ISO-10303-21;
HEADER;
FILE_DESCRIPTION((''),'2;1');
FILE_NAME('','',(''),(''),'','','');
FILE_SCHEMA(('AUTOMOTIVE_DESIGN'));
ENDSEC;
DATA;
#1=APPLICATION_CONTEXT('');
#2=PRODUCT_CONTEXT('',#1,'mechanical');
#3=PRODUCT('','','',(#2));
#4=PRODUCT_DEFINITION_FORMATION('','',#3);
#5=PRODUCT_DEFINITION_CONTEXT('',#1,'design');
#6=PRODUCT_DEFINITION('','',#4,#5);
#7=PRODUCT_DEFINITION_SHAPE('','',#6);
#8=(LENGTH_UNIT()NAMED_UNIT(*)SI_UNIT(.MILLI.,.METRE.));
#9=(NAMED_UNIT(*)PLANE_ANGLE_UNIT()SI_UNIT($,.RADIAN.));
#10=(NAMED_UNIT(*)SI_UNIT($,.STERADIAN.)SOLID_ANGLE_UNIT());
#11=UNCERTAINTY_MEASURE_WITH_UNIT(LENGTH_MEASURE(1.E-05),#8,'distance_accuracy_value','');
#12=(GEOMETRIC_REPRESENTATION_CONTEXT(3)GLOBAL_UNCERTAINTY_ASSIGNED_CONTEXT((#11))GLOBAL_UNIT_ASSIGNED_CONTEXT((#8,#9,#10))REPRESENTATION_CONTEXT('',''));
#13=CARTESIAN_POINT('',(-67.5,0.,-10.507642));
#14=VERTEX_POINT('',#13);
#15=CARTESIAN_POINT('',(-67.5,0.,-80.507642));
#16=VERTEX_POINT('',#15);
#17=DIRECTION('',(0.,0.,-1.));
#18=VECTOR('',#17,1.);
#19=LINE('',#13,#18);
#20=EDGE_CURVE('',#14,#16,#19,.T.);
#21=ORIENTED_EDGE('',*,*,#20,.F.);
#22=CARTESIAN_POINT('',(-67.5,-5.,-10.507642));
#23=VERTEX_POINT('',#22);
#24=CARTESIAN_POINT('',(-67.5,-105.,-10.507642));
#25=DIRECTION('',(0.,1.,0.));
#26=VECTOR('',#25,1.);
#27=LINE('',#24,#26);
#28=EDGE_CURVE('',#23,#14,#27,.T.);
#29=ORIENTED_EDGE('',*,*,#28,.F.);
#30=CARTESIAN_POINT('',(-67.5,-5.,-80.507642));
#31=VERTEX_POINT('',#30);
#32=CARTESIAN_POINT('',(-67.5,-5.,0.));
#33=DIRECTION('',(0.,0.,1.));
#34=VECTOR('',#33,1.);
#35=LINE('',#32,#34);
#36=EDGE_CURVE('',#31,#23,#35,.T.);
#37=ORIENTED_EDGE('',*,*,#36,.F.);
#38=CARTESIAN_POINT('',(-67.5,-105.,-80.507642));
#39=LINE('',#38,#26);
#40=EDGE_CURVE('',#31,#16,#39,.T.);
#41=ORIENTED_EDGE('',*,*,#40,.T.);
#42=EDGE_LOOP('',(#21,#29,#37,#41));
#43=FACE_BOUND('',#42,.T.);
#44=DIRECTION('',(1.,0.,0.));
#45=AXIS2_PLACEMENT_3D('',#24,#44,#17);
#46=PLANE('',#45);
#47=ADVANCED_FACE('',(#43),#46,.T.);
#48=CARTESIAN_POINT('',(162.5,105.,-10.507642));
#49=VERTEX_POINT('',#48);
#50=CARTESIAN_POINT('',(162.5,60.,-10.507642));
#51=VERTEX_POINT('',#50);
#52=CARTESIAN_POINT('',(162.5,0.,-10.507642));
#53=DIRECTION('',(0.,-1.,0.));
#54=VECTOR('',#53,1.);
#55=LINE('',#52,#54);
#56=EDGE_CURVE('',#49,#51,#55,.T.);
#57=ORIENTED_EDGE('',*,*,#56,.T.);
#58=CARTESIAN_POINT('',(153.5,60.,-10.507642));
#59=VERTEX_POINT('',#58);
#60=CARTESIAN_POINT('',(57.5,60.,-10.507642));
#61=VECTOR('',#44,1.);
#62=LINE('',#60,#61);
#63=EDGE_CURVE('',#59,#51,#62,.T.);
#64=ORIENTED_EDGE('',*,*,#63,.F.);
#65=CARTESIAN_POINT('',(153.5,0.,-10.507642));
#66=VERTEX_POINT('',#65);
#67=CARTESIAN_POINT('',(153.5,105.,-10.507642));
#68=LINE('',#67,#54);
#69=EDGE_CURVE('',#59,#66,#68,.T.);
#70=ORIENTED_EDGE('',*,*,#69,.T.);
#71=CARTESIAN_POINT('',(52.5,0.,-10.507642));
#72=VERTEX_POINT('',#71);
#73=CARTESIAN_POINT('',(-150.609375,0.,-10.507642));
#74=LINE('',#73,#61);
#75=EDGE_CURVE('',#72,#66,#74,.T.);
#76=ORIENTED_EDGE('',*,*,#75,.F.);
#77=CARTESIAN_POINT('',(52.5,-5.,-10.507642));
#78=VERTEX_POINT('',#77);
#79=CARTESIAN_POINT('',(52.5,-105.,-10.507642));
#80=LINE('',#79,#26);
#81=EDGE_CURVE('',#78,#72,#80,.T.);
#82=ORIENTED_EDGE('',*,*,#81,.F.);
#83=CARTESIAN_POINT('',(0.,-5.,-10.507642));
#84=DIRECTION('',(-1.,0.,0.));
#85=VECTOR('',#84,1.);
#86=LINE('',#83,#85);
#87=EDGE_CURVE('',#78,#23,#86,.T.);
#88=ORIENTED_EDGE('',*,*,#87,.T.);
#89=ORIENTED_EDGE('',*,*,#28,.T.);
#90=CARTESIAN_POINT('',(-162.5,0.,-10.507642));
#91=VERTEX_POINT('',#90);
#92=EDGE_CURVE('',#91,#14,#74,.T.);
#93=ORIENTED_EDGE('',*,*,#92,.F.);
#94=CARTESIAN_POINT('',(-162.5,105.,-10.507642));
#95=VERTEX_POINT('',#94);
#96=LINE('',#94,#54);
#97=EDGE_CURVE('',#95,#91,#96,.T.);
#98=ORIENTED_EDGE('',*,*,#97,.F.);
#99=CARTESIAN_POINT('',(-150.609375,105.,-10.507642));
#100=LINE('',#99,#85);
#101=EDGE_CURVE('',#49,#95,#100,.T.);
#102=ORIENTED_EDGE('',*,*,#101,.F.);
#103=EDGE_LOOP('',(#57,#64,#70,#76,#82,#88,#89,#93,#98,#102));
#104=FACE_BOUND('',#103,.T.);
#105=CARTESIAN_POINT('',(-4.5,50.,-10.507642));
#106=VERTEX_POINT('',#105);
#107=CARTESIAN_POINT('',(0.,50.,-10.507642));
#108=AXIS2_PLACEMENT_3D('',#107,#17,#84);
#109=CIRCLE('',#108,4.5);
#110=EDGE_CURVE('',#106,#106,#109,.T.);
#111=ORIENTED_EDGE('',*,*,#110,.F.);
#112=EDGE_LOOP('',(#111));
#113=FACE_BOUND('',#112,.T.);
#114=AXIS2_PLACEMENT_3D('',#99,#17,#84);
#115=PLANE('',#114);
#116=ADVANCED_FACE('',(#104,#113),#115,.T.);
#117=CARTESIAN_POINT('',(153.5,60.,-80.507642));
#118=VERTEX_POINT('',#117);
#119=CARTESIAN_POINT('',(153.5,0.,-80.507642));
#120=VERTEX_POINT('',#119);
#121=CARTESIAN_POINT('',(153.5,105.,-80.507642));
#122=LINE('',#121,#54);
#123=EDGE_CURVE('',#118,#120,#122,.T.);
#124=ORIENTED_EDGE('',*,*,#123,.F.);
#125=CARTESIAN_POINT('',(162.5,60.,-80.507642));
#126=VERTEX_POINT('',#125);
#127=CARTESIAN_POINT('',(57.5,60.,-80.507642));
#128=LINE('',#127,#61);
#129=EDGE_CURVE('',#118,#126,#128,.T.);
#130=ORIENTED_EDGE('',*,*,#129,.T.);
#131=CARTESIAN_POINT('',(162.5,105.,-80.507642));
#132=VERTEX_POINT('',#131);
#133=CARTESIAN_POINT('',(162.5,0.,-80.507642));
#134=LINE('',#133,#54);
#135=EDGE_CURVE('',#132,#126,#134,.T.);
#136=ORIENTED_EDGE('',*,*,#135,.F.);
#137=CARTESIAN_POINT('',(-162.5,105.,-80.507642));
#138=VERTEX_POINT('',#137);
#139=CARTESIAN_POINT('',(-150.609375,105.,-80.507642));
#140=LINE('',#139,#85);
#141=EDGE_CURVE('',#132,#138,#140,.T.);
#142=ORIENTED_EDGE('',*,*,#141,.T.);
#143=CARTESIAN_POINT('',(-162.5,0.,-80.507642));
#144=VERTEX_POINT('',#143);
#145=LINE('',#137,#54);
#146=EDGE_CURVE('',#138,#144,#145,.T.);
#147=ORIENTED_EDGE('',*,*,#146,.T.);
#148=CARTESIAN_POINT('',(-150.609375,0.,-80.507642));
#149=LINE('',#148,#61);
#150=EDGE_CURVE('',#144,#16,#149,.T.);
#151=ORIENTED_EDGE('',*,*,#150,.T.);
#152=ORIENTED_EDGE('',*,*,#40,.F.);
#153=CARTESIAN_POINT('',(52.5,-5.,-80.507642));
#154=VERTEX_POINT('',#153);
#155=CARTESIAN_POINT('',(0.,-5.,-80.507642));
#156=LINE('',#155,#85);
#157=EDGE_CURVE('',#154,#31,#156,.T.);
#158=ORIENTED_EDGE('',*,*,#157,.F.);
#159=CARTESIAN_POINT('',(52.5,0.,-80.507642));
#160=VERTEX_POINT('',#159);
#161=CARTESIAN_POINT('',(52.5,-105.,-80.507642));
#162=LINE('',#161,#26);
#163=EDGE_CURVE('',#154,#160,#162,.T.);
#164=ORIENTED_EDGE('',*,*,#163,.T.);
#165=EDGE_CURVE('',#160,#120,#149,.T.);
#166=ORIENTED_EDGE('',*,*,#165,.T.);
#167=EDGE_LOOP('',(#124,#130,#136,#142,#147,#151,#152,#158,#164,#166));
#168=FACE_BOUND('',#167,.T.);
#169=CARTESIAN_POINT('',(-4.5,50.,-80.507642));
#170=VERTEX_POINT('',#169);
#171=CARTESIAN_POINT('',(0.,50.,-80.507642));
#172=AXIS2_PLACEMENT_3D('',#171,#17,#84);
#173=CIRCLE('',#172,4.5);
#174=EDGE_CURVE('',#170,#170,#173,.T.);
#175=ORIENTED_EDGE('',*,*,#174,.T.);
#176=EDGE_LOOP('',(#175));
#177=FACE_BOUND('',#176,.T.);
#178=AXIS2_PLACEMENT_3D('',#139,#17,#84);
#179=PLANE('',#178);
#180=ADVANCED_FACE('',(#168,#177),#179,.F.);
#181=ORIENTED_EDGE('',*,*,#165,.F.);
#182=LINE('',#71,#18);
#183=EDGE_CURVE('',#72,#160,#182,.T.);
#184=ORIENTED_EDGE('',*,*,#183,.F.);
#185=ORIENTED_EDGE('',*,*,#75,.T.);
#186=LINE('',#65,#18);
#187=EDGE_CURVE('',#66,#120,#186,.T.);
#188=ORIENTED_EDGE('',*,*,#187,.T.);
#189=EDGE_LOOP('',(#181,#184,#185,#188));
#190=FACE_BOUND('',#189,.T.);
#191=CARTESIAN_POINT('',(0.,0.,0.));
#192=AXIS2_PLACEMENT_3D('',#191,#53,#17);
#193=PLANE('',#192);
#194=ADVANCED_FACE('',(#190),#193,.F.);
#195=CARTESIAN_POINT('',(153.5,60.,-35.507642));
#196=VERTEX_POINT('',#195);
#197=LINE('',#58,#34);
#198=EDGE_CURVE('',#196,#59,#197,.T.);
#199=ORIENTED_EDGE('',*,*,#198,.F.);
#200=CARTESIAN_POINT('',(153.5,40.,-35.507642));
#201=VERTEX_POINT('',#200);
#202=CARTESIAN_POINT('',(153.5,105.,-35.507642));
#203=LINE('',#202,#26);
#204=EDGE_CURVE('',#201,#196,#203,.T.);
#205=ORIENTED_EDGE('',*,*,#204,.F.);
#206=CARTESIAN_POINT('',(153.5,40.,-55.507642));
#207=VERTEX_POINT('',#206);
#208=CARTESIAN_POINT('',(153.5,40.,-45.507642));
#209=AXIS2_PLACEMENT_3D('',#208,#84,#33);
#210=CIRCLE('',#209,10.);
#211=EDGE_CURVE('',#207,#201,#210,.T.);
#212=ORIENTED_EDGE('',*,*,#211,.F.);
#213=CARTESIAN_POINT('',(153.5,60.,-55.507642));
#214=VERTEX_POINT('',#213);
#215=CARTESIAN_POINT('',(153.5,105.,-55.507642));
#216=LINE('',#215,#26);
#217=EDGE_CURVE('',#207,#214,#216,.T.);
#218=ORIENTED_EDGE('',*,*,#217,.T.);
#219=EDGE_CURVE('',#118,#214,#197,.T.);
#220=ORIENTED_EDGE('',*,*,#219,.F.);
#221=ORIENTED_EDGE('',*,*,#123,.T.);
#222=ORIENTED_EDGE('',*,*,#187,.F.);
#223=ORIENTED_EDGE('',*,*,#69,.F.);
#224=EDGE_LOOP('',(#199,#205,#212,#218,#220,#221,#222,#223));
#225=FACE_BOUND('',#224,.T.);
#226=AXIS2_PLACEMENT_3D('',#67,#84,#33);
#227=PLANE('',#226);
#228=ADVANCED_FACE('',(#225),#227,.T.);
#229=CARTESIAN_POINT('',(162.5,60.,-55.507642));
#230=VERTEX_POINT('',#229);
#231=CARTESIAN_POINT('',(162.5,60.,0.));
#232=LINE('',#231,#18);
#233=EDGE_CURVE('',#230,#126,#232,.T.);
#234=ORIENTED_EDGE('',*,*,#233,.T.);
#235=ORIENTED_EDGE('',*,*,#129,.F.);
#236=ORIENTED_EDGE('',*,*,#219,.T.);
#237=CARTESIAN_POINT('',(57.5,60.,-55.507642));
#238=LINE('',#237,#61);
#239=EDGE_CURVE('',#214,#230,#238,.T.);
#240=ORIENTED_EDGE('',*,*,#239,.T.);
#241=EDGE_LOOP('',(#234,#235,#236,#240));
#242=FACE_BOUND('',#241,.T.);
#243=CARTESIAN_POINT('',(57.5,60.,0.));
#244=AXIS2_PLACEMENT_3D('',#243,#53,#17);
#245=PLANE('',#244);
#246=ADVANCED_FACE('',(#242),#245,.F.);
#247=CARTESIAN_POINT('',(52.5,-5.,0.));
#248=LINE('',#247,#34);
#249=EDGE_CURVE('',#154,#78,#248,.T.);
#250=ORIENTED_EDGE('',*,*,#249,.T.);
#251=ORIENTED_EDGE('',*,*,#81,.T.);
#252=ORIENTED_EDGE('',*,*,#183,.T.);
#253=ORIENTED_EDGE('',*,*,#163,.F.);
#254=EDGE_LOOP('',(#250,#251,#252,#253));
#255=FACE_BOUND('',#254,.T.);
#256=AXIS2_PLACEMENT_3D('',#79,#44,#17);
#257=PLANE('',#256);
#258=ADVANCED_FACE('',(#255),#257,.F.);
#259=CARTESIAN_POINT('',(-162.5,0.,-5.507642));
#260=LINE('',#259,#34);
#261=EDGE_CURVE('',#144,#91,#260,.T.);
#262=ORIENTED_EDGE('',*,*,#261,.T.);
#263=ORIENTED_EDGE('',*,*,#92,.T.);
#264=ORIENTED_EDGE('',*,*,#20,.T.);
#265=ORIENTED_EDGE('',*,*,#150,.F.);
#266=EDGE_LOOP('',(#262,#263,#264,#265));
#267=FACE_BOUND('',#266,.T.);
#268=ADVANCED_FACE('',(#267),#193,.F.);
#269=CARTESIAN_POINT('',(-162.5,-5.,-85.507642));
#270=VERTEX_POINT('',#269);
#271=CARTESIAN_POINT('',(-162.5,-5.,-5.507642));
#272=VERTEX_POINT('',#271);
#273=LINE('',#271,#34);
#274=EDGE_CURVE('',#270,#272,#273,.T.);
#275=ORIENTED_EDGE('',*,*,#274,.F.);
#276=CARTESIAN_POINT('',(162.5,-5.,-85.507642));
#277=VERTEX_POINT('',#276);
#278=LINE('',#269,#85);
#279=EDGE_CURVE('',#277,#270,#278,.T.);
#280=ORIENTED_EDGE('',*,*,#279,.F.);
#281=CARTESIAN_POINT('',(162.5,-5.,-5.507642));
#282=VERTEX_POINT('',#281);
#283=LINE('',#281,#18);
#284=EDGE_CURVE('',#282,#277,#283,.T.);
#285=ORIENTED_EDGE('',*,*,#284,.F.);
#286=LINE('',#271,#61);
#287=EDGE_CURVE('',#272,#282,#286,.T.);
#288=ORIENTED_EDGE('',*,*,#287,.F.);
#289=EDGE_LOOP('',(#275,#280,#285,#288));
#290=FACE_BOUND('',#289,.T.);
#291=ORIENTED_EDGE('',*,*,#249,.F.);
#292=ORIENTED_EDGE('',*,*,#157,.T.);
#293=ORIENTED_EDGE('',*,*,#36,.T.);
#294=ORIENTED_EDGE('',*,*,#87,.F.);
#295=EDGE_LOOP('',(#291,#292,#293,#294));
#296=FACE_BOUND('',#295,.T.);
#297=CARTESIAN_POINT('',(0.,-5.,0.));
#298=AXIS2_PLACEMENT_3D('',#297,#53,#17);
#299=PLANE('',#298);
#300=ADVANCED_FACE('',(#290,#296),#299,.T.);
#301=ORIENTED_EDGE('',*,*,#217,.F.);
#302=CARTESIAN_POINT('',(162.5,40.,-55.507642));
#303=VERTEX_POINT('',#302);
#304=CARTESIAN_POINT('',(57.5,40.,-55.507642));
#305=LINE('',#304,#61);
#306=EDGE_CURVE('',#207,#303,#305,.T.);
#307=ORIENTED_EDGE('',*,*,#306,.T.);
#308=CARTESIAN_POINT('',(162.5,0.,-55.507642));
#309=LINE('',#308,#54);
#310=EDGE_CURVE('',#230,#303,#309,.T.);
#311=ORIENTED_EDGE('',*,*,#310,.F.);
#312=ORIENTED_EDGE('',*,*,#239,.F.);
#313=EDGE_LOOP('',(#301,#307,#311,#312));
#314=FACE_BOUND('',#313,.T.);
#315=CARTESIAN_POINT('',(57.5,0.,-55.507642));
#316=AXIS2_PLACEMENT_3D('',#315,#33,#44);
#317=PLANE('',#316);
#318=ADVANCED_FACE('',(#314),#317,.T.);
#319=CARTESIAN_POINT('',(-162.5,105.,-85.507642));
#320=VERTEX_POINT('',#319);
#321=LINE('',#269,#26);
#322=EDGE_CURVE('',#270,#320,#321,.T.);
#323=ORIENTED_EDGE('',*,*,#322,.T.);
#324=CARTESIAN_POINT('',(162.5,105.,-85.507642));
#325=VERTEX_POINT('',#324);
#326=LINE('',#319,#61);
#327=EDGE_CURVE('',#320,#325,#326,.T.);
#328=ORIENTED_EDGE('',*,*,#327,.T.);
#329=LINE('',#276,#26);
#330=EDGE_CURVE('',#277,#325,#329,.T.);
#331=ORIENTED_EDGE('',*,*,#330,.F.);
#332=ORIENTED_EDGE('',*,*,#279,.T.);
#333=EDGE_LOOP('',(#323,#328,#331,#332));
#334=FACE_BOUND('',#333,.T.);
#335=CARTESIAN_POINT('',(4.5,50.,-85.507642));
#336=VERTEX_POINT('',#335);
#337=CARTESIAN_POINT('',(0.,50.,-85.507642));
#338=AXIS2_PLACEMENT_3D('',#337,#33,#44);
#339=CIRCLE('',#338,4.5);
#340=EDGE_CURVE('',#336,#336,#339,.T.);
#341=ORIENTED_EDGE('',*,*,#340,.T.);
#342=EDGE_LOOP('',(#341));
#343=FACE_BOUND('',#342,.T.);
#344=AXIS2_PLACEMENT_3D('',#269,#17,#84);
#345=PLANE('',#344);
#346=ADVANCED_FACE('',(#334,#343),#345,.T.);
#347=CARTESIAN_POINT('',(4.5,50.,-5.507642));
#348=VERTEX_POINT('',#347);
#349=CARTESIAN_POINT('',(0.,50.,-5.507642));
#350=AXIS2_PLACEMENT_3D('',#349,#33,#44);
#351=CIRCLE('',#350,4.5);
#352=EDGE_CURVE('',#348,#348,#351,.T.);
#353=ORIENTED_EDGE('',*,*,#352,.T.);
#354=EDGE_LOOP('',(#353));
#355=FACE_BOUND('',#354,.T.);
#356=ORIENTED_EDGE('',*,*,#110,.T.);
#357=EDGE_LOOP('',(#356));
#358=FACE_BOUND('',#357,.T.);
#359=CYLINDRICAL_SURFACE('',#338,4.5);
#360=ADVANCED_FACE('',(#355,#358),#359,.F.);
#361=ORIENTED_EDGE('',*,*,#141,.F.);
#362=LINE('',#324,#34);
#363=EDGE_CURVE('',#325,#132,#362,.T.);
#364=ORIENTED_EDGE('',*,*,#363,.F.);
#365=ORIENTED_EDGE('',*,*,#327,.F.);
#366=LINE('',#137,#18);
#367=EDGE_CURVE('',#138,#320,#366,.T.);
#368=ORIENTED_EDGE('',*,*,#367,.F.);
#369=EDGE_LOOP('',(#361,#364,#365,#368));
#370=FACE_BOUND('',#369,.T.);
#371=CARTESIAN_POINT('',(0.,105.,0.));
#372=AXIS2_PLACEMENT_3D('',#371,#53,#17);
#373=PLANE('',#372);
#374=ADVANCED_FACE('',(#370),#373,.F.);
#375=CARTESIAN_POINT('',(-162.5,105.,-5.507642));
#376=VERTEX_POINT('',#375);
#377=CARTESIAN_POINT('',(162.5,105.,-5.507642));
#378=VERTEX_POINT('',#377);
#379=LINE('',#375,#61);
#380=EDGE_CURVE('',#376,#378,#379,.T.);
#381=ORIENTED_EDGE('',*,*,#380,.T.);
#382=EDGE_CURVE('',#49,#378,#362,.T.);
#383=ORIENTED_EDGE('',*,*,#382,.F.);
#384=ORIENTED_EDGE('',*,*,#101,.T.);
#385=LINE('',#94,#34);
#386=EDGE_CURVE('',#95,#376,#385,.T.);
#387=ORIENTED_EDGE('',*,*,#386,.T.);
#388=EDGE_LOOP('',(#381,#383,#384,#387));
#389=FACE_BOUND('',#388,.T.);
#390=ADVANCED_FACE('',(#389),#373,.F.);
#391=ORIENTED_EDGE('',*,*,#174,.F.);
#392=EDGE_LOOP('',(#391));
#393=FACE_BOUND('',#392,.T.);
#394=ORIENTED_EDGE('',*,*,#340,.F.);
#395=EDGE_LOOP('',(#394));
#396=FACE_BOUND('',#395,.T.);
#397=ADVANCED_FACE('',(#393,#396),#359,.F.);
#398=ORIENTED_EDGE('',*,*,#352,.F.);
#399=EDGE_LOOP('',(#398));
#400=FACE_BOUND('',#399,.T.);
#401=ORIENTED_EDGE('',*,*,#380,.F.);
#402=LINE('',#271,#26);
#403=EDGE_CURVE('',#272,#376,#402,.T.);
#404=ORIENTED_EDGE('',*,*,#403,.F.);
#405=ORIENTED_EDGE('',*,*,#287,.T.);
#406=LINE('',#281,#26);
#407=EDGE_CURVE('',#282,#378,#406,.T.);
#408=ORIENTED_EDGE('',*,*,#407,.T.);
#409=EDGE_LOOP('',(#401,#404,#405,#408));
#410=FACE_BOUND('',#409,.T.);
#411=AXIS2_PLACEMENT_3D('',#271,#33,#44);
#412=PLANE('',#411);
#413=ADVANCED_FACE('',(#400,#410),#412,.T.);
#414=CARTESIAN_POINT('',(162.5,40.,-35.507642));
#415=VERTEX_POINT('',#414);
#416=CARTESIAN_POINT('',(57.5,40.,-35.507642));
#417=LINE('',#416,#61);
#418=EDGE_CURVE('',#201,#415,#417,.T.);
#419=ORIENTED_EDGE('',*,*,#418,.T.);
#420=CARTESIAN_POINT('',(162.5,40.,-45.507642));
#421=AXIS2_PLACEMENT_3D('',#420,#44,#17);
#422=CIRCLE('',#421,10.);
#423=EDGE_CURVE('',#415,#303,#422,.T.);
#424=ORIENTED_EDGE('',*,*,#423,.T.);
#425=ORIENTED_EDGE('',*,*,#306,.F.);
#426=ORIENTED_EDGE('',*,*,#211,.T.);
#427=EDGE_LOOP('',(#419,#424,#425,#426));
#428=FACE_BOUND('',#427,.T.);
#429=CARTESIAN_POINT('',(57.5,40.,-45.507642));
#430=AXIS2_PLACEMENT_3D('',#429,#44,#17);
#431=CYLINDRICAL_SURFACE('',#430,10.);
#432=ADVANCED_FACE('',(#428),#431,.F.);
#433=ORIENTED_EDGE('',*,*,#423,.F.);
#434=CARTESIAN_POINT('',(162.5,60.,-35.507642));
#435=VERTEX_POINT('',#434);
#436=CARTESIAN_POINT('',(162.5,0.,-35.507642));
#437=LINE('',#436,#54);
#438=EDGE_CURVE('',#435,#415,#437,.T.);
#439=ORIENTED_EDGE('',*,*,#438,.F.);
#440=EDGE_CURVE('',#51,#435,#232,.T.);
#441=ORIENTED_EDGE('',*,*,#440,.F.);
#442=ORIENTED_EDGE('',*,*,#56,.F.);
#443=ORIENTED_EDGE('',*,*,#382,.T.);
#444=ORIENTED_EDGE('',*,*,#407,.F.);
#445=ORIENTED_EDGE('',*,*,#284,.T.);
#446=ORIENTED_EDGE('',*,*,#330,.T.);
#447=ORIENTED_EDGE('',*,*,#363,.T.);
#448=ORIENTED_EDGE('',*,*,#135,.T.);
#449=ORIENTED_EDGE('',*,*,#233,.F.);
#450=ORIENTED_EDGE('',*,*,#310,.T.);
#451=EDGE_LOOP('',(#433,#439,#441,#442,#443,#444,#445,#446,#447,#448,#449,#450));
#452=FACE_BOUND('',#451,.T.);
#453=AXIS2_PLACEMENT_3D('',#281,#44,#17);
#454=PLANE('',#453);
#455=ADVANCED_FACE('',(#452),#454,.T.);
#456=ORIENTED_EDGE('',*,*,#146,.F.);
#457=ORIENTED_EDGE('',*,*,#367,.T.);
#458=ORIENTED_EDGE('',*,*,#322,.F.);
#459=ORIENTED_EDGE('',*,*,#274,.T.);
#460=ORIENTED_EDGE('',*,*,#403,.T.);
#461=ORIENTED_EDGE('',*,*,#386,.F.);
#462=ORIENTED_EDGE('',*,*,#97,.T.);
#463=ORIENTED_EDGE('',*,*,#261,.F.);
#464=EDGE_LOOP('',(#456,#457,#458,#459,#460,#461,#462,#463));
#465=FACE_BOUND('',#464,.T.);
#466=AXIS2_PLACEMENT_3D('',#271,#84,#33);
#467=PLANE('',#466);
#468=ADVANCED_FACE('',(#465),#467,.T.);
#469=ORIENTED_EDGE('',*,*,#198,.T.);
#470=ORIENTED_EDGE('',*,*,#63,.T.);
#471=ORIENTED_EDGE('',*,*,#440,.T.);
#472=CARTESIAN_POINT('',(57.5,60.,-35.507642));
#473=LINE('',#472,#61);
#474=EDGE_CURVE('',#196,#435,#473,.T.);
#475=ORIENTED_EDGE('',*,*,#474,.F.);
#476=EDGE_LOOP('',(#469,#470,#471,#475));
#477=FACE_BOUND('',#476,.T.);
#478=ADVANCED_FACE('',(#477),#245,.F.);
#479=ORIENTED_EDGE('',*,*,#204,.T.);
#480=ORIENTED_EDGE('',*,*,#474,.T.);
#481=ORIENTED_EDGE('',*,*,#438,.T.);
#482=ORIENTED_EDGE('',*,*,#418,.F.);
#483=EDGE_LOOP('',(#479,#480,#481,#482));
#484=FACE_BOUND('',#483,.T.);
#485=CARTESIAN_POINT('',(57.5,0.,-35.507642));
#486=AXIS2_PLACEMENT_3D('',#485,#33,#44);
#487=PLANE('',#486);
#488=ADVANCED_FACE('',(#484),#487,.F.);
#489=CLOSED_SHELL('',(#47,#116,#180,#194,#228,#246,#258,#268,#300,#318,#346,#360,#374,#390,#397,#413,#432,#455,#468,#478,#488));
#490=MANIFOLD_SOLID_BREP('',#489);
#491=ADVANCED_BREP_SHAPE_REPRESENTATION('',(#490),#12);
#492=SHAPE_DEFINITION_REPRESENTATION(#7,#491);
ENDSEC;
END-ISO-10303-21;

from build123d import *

# Parameters (mm, degrees)
SKETCH1_W               = 325
SKETCH1_H               = 80
BOSS_EXTRUDE1_DEPTH     = 5
BOSS_EXTRUDE2_DEPTH     = 105
SKETCH3_R               = 4.5
CUT_EXTRUDE1_DEPTH      = 1
CUT_EXTRUDE1_DEPTH_BACK = 81
SKETCH4_W               = 120
SKETCH4_H               = 70
CUT_EXTRUDE2_DEPTH      = 105
SKETCH5_W               = 20
SKETCH5_H               = 20
CUT_EXTRUDE3_DEPTH      = 105


with BuildPart() as part:
    # Sketch1 → Boss-Extrude1 (new body)
    with BuildSketch(Plane(origin=(0, 0, 0), x_dir=(1, 0, 0), z_dir=(0, 1, 0))):
        with Locations((0, 45.507641921)):
            Rectangle(SKETCH1_W, SKETCH1_H)
    extrude(amount=-BOSS_EXTRUDE1_DEPTH)

    # Sketch2 → Boss-Extrude2 (add)
    with BuildSketch(Plane(origin=(0, 0, 0), x_dir=(1, 0, 0), z_dir=(0, 1, 0))):
        Polygon((-150.609375415, 80.507641921), (-162.5, 80.507641921), (-162.5, 85.507641921), (162.5, 85.507641921), (162.5, 5.507641921), (-162.5, 5.507641921), (-162.5, 10.507641921), (-150.609375415, 10.507641921), (153.5, 10.507641921), (153.5, 80.507641921), align=None)
    extrude(amount=BOSS_EXTRUDE2_DEPTH)

    # Sketch3 → Cut-Extrude1 (cut, two sides)
    with BuildSketch(Plane.XY.offset(-5.507641921)) as cut_extrude1_sk:
        with Locations((0, 50)):
            Circle(SKETCH3_R)
    extrude(amount=CUT_EXTRUDE1_DEPTH, mode=Mode.SUBTRACT)
    extrude(cut_extrude1_sk.sketch, amount=-CUT_EXTRUDE1_DEPTH_BACK, mode=Mode.SUBTRACT)

    # Sketch4 → Cut-Extrude2 (cut)
    with BuildSketch(Plane(origin=(0, 0, 0), x_dir=(1, 0, 0), z_dir=(0, 1, 0))):
        with Locations((-7.5, 45.507641921)):
            Rectangle(SKETCH4_W, SKETCH4_H)
    extrude(amount=-CUT_EXTRUDE2_DEPTH, mode=Mode.SUBTRACT)

    # Sketch5 → Cut-Extrude3 (cut)
    with BuildSketch(Plane(origin=(162.5, 0, 0), x_dir=(0, 0, -1), z_dir=(1, 0, 0))):
        Polygon((80.507641921, 105), (10.507641921, 105), (10.507641921, 60), (35.507641921, 60), (55.507641921, 60), (80.507641921, 60), align=None)
        with Locations((45.507641921, 50)):
            Rectangle(SKETCH5_W, SKETCH5_H)
        with BuildLine():
            Line((55.507641921, 40), (35.507641921, 40))
            ThreePointArc((35.507641921, 40), (45.507641921, 30), (55.507641921, 40))
        make_face()
    extrude(amount=-CUT_EXTRUDE3_DEPTH, mode=Mode.SUBTRACT)


solid = part.part
